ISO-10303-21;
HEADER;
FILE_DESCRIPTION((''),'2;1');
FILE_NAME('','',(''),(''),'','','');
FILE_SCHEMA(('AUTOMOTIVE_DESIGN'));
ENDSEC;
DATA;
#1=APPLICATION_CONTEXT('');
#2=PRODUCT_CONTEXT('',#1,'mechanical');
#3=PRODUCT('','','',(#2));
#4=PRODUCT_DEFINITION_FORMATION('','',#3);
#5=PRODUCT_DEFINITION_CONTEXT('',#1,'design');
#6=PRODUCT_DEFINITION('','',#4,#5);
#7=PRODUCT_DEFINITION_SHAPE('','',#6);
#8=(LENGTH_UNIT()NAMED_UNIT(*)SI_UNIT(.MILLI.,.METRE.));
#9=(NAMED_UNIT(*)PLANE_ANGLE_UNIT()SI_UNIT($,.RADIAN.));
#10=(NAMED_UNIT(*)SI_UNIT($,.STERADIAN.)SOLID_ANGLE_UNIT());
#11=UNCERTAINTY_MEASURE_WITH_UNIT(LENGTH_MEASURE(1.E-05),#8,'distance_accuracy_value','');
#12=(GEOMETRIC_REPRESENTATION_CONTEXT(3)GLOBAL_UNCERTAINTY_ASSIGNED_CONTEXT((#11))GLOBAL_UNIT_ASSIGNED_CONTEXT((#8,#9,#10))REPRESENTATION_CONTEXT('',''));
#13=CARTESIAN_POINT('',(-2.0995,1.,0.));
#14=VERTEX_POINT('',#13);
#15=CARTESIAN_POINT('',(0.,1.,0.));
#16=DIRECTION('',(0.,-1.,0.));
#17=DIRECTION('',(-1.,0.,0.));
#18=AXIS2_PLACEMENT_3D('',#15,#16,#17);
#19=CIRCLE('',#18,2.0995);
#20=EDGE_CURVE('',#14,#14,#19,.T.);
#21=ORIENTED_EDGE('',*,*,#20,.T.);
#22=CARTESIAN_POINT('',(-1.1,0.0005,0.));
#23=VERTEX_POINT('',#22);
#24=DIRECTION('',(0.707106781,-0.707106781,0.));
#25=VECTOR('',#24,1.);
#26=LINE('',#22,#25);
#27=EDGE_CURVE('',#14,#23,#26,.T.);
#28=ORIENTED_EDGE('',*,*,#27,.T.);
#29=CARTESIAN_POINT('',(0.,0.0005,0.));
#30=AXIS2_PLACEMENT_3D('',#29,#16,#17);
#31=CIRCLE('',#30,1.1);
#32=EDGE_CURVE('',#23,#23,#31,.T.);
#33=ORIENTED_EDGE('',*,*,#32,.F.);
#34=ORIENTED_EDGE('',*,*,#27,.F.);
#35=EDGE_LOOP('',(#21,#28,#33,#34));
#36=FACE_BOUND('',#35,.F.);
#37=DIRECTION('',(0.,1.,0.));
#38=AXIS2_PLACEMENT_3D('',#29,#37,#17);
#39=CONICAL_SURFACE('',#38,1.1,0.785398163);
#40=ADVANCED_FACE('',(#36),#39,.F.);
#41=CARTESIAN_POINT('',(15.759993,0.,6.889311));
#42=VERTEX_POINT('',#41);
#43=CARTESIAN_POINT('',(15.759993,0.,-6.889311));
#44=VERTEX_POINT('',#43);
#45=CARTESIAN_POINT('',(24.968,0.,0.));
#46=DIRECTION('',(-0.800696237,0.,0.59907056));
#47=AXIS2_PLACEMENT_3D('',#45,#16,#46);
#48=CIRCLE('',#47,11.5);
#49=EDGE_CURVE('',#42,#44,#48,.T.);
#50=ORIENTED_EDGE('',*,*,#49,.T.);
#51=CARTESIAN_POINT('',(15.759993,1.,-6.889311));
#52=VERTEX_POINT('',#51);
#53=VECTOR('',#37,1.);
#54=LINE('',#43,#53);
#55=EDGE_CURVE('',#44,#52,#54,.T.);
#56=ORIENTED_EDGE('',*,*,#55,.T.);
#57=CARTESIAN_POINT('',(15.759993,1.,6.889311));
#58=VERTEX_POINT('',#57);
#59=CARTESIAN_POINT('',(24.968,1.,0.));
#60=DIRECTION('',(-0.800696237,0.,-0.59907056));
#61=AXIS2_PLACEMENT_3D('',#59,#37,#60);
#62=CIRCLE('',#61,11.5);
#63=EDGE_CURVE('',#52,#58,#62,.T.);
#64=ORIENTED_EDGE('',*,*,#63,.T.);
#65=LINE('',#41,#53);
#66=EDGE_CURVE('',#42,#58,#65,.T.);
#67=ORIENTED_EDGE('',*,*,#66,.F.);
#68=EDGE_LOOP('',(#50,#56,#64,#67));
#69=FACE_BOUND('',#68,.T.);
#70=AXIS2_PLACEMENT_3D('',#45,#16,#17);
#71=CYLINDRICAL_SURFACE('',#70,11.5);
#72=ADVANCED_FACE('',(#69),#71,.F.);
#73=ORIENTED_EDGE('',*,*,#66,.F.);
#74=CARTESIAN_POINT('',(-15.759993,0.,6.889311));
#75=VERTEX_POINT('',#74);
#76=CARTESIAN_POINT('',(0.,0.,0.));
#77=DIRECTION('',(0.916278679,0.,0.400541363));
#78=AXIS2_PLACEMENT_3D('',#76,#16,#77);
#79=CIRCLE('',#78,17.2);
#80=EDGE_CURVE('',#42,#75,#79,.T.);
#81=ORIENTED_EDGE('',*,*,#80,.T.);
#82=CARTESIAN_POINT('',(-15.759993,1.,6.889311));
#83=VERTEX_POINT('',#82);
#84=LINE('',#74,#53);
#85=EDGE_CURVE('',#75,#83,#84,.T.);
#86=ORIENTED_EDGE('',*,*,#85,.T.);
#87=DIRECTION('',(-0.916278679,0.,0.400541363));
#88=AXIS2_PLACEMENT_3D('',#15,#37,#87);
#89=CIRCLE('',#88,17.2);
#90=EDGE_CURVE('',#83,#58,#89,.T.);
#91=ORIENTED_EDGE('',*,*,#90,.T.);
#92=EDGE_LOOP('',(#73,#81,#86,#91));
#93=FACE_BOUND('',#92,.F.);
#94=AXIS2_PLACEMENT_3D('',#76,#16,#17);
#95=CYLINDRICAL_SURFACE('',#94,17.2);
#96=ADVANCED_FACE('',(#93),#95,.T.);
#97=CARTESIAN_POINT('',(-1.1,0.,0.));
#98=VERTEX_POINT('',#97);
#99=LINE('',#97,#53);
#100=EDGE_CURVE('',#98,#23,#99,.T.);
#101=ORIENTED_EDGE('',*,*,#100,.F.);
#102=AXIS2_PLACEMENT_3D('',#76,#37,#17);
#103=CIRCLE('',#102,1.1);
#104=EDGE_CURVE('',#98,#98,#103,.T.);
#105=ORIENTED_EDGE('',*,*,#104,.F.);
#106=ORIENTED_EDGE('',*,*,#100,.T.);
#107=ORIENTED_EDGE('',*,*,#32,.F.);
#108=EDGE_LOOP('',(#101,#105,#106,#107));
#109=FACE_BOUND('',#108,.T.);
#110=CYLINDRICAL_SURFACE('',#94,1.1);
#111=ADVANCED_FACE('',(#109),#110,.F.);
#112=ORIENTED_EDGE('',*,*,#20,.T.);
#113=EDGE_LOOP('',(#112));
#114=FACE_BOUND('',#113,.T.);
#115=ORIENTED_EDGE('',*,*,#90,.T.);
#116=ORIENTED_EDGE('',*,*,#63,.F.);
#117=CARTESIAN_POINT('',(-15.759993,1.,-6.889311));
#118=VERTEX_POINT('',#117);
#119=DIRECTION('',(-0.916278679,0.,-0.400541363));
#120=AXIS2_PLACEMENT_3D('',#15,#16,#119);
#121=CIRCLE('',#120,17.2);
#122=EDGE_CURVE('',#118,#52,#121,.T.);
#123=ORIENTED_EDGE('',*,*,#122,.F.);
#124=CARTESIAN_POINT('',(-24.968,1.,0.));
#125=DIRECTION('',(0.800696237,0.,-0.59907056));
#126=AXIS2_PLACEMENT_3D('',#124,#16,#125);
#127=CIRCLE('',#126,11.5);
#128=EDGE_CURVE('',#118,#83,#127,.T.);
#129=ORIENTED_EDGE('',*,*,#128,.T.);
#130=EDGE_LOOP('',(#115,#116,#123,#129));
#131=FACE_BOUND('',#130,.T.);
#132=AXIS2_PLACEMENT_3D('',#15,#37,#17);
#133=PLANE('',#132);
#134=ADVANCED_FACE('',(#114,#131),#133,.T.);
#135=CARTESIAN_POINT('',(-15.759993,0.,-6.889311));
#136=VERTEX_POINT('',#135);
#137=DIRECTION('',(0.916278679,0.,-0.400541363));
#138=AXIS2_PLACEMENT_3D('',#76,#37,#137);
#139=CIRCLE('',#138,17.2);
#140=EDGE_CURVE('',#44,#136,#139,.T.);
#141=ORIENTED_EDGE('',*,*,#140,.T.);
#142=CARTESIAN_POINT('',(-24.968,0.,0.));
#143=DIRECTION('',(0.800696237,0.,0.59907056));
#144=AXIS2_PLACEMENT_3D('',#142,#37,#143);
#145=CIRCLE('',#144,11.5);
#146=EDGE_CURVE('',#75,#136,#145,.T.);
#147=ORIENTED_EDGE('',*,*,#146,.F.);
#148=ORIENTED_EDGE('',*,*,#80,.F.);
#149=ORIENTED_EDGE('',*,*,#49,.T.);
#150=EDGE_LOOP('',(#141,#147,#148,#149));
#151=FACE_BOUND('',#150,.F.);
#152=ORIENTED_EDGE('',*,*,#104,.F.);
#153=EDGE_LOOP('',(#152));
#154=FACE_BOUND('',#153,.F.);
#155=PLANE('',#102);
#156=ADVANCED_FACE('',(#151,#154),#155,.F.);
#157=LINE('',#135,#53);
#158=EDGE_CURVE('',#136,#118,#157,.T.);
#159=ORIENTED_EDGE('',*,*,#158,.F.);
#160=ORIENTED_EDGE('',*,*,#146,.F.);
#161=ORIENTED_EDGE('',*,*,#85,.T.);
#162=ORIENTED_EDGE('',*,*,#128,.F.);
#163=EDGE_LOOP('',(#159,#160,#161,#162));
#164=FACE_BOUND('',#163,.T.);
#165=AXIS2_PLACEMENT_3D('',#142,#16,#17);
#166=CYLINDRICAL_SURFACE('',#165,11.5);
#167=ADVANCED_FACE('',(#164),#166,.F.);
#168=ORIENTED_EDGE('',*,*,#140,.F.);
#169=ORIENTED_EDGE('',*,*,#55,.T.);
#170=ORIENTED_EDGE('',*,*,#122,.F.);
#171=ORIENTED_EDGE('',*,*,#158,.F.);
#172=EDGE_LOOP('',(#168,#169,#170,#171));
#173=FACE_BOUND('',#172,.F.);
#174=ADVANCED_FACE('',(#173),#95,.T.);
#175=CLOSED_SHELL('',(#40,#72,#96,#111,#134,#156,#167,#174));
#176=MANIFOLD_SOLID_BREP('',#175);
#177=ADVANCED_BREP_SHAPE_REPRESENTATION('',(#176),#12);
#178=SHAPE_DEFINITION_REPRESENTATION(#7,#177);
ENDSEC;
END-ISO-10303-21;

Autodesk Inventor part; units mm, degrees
ref_plane "YZ Plane" through (0, 0, 0) normal (1, 0, 0) x (0, 1, 0)
ref_plane "XZ Plane" through (0, 0, 0) normal (0, 1, 0) x (-1, 0, 0)
ref_plane "XY Plane" through (0, 0, 0) normal (0, 0, 1) x (1, 0, 0)
sketch "スケッチ1" plane through (0, 0, 0) normal (0, 1, 0) x (-1, 0, 0)
  line L0 (0, -24.08) -> (0, 24.08) projected
  line L1 (-51.0552, 0) -> (51.0552, 0) projected
  circle A0 centre (0, 0) radius 17.2
  circle A1 centre (0, 0) radius 1.1
  circle A2 centre (24.968, 0) radius 11.5
  circle A3 centre (-24.968, 0) radius 11.5
  line L2 (1.9153, -7.1479) -> (2.64, -9.8524)
  arc A4 (-1.9153, -7.1479) -> (1.9153, -7.1479) centre (0, 0) ccw
  line L3 (-1.9153, -7.1479) -> (-2.64, -9.8524)
  line L4 (0, -11) -> (0.5714, -10.184)
  line L5 (0, -11) -> (-0.5714, -10.184)
  arc A5 (-2.64, -9.8524) -> (-0.5714, -10.184) centre (0, 0) ccw
  arc A6 (0.5714, -10.184) -> (2.64, -9.8524) centre (0, 0) ccw
  point P0 (-15.76, 6.8893)
  point P1 (-15.76, -6.8893)
  point P2 (15.76, -6.8893)
  point P3 (15.76, 6.8893)
  dimension "d0" = 34.4
  dimension "d1" = 2.2
  dimension "d2" = 24.968
  dimension "d3" = 23
  dimension "d8" = 30
  dimension "d9" = 7.4
  dimension "d11" = 10.2
  dimension "d12" = 11
  dimension "d13" = 70
extrude "押し出し1" add sketch "スケッチ1" along normal blind 1 contours A0 A3 L1 A1 L0 A4 L3 A5 L5 | L0 L4 A6 L2 A4 A1 L1 A2 A0 | L5 A5 L3 A4 L0 | L0 A4 L2 A6 L4 | A3 A0 L0 A1 L1 | L1 A1 L0 A0 A2
chamfer "面取り1" distance 1 angle 45 1 edges at (1.1, 1, 0)
properties part number "GearCenterCover"
